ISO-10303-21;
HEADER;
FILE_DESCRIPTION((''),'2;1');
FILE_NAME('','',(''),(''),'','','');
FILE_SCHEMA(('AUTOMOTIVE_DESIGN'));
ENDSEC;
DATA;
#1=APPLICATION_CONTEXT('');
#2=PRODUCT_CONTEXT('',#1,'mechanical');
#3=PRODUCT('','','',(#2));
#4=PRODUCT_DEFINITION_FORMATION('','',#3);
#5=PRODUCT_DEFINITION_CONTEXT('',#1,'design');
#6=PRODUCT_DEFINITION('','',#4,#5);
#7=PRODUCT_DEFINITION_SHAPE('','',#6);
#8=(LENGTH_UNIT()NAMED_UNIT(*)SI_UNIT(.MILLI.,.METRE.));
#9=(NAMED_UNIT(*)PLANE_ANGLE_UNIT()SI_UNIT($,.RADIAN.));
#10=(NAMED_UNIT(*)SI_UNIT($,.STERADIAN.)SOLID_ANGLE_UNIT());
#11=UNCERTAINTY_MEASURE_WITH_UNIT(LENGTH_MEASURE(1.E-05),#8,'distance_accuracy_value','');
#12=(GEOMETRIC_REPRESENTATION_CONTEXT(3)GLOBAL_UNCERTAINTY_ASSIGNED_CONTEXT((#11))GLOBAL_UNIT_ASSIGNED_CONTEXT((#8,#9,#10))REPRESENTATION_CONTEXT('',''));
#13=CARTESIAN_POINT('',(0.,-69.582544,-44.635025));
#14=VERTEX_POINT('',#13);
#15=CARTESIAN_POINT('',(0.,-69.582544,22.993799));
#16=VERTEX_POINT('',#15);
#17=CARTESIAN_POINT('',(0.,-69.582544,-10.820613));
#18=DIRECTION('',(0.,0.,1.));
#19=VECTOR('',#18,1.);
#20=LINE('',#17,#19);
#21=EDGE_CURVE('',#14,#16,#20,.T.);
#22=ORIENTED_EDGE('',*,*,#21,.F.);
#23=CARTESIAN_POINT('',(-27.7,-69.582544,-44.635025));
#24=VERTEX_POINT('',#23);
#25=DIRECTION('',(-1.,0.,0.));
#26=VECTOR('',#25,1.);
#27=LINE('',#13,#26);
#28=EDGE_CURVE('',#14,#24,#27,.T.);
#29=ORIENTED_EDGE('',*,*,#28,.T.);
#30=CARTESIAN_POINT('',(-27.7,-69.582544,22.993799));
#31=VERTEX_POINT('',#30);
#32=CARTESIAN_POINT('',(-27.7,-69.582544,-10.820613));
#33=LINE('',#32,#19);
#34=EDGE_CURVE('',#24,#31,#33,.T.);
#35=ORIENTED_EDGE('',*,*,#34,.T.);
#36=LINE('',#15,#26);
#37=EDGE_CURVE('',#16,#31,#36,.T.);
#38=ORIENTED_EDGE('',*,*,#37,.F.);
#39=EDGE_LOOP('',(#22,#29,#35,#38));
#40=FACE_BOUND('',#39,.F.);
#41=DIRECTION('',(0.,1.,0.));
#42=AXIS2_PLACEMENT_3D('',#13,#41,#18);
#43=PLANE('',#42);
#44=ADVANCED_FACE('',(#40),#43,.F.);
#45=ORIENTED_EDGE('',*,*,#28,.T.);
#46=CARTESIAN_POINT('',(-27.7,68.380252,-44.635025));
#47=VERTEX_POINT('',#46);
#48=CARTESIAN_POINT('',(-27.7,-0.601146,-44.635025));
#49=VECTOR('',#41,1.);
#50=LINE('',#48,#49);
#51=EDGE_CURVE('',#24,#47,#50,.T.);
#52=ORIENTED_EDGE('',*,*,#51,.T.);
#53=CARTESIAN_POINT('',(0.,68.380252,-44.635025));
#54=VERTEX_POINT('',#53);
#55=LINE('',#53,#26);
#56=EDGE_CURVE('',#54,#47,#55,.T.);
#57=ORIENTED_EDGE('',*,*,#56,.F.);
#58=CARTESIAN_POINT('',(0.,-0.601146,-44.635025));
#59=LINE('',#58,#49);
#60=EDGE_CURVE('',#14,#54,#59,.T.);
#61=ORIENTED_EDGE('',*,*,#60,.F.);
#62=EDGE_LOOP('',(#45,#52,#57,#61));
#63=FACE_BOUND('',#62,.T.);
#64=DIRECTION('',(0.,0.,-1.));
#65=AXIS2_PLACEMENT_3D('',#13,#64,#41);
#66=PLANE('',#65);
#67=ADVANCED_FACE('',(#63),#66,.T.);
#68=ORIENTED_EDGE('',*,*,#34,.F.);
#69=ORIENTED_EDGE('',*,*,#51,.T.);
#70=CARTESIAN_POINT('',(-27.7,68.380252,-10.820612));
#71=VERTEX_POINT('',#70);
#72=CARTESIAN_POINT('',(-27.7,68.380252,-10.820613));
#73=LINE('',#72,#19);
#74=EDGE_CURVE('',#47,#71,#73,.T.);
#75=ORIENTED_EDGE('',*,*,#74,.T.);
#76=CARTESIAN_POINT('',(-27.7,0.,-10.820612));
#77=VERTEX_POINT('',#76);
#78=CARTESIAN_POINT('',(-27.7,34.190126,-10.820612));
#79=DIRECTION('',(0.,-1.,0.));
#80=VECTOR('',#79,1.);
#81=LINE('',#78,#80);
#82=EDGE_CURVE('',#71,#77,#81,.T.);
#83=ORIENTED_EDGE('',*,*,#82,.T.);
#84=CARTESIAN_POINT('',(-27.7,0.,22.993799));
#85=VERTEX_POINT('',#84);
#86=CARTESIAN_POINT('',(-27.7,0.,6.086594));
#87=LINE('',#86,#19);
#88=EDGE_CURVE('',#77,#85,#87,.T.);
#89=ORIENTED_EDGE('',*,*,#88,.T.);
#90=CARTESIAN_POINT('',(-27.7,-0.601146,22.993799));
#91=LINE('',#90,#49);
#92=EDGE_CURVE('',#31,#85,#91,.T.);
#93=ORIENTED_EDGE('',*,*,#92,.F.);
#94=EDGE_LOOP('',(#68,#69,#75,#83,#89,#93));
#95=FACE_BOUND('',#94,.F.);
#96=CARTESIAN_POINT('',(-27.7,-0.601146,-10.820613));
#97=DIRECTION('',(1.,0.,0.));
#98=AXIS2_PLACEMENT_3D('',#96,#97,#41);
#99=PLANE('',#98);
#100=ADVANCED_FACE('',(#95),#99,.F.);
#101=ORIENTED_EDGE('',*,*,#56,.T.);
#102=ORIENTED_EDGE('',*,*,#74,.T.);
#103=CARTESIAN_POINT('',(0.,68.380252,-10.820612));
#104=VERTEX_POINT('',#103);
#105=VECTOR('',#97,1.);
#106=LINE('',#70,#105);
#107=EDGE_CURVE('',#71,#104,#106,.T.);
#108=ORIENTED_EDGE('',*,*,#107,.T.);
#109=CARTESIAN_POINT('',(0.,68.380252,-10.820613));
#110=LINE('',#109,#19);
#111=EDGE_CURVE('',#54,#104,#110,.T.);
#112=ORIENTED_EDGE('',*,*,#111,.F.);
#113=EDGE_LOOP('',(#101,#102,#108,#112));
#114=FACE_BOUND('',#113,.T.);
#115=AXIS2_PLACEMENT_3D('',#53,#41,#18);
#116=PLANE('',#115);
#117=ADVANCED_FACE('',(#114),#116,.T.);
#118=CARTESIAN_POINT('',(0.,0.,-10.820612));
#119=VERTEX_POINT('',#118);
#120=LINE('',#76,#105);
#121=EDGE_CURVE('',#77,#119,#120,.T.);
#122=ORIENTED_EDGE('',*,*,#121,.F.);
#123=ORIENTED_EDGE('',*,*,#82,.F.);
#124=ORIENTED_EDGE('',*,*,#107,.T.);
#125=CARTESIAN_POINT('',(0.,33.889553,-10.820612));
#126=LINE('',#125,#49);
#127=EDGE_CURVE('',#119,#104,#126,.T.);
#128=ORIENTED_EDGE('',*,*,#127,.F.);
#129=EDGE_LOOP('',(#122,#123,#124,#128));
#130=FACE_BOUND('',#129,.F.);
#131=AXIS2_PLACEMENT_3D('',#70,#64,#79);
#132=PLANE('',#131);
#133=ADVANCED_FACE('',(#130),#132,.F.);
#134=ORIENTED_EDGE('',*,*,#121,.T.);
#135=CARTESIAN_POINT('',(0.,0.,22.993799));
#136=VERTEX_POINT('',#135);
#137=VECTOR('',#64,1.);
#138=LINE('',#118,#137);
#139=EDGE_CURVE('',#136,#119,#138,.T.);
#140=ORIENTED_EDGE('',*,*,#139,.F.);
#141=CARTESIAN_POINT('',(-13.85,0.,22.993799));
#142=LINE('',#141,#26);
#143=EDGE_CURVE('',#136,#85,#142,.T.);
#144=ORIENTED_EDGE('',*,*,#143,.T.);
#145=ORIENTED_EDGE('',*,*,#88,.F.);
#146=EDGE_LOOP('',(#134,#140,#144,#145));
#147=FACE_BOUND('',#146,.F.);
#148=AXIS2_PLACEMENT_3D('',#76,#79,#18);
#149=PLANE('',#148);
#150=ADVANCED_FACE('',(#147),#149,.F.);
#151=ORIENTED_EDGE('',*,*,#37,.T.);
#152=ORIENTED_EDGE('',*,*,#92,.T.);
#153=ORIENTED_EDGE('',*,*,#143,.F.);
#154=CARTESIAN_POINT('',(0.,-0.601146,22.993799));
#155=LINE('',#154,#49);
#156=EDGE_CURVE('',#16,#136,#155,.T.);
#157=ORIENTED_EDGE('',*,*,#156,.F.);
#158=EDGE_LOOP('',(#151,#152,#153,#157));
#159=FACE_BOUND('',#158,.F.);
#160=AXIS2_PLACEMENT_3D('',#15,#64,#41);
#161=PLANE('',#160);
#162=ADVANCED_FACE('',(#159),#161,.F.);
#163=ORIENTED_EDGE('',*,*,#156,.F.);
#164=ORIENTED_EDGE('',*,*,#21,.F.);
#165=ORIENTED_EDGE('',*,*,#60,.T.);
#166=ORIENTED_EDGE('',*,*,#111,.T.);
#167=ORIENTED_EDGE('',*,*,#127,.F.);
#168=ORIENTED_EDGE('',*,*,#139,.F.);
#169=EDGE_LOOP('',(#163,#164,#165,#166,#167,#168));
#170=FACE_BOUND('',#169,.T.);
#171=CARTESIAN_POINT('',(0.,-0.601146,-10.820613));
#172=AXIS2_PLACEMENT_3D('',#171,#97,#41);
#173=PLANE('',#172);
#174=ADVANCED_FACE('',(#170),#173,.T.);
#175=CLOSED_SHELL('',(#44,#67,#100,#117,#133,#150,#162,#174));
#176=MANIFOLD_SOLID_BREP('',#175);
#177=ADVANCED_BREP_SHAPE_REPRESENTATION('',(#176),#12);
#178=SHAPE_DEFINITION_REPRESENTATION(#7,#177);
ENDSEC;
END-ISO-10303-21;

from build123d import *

# Parameters (mm, degrees)
F0_W     = 137.962796
F0_H     = 67.628823
F1_DEPTH = 27.7
F2_W     = 68.380252
F2_H     = 33.814411
F3_DEPTH = 36.4


with BuildPart() as f1:
    # F0 (on Right) → F1 (new body)
    with BuildSketch(Plane.YZ):
        with Locations((-0.601146, -10.820613)):
            Rectangle(F0_W, F0_H)
    extrude(amount=-F1_DEPTH)

    # F2 (on face) → F3 (cut)
    with BuildSketch(Plane(origin=(-27.7, 0, 0), x_dir=(0, -1, 0), z_dir=(-1, 0, 0))):
        with Locations((-34.190126, 6.086594)):
            Rectangle(F2_W, F2_H)
    extrude(amount=-F3_DEPTH, mode=Mode.SUBTRACT)


solid = f1.part
